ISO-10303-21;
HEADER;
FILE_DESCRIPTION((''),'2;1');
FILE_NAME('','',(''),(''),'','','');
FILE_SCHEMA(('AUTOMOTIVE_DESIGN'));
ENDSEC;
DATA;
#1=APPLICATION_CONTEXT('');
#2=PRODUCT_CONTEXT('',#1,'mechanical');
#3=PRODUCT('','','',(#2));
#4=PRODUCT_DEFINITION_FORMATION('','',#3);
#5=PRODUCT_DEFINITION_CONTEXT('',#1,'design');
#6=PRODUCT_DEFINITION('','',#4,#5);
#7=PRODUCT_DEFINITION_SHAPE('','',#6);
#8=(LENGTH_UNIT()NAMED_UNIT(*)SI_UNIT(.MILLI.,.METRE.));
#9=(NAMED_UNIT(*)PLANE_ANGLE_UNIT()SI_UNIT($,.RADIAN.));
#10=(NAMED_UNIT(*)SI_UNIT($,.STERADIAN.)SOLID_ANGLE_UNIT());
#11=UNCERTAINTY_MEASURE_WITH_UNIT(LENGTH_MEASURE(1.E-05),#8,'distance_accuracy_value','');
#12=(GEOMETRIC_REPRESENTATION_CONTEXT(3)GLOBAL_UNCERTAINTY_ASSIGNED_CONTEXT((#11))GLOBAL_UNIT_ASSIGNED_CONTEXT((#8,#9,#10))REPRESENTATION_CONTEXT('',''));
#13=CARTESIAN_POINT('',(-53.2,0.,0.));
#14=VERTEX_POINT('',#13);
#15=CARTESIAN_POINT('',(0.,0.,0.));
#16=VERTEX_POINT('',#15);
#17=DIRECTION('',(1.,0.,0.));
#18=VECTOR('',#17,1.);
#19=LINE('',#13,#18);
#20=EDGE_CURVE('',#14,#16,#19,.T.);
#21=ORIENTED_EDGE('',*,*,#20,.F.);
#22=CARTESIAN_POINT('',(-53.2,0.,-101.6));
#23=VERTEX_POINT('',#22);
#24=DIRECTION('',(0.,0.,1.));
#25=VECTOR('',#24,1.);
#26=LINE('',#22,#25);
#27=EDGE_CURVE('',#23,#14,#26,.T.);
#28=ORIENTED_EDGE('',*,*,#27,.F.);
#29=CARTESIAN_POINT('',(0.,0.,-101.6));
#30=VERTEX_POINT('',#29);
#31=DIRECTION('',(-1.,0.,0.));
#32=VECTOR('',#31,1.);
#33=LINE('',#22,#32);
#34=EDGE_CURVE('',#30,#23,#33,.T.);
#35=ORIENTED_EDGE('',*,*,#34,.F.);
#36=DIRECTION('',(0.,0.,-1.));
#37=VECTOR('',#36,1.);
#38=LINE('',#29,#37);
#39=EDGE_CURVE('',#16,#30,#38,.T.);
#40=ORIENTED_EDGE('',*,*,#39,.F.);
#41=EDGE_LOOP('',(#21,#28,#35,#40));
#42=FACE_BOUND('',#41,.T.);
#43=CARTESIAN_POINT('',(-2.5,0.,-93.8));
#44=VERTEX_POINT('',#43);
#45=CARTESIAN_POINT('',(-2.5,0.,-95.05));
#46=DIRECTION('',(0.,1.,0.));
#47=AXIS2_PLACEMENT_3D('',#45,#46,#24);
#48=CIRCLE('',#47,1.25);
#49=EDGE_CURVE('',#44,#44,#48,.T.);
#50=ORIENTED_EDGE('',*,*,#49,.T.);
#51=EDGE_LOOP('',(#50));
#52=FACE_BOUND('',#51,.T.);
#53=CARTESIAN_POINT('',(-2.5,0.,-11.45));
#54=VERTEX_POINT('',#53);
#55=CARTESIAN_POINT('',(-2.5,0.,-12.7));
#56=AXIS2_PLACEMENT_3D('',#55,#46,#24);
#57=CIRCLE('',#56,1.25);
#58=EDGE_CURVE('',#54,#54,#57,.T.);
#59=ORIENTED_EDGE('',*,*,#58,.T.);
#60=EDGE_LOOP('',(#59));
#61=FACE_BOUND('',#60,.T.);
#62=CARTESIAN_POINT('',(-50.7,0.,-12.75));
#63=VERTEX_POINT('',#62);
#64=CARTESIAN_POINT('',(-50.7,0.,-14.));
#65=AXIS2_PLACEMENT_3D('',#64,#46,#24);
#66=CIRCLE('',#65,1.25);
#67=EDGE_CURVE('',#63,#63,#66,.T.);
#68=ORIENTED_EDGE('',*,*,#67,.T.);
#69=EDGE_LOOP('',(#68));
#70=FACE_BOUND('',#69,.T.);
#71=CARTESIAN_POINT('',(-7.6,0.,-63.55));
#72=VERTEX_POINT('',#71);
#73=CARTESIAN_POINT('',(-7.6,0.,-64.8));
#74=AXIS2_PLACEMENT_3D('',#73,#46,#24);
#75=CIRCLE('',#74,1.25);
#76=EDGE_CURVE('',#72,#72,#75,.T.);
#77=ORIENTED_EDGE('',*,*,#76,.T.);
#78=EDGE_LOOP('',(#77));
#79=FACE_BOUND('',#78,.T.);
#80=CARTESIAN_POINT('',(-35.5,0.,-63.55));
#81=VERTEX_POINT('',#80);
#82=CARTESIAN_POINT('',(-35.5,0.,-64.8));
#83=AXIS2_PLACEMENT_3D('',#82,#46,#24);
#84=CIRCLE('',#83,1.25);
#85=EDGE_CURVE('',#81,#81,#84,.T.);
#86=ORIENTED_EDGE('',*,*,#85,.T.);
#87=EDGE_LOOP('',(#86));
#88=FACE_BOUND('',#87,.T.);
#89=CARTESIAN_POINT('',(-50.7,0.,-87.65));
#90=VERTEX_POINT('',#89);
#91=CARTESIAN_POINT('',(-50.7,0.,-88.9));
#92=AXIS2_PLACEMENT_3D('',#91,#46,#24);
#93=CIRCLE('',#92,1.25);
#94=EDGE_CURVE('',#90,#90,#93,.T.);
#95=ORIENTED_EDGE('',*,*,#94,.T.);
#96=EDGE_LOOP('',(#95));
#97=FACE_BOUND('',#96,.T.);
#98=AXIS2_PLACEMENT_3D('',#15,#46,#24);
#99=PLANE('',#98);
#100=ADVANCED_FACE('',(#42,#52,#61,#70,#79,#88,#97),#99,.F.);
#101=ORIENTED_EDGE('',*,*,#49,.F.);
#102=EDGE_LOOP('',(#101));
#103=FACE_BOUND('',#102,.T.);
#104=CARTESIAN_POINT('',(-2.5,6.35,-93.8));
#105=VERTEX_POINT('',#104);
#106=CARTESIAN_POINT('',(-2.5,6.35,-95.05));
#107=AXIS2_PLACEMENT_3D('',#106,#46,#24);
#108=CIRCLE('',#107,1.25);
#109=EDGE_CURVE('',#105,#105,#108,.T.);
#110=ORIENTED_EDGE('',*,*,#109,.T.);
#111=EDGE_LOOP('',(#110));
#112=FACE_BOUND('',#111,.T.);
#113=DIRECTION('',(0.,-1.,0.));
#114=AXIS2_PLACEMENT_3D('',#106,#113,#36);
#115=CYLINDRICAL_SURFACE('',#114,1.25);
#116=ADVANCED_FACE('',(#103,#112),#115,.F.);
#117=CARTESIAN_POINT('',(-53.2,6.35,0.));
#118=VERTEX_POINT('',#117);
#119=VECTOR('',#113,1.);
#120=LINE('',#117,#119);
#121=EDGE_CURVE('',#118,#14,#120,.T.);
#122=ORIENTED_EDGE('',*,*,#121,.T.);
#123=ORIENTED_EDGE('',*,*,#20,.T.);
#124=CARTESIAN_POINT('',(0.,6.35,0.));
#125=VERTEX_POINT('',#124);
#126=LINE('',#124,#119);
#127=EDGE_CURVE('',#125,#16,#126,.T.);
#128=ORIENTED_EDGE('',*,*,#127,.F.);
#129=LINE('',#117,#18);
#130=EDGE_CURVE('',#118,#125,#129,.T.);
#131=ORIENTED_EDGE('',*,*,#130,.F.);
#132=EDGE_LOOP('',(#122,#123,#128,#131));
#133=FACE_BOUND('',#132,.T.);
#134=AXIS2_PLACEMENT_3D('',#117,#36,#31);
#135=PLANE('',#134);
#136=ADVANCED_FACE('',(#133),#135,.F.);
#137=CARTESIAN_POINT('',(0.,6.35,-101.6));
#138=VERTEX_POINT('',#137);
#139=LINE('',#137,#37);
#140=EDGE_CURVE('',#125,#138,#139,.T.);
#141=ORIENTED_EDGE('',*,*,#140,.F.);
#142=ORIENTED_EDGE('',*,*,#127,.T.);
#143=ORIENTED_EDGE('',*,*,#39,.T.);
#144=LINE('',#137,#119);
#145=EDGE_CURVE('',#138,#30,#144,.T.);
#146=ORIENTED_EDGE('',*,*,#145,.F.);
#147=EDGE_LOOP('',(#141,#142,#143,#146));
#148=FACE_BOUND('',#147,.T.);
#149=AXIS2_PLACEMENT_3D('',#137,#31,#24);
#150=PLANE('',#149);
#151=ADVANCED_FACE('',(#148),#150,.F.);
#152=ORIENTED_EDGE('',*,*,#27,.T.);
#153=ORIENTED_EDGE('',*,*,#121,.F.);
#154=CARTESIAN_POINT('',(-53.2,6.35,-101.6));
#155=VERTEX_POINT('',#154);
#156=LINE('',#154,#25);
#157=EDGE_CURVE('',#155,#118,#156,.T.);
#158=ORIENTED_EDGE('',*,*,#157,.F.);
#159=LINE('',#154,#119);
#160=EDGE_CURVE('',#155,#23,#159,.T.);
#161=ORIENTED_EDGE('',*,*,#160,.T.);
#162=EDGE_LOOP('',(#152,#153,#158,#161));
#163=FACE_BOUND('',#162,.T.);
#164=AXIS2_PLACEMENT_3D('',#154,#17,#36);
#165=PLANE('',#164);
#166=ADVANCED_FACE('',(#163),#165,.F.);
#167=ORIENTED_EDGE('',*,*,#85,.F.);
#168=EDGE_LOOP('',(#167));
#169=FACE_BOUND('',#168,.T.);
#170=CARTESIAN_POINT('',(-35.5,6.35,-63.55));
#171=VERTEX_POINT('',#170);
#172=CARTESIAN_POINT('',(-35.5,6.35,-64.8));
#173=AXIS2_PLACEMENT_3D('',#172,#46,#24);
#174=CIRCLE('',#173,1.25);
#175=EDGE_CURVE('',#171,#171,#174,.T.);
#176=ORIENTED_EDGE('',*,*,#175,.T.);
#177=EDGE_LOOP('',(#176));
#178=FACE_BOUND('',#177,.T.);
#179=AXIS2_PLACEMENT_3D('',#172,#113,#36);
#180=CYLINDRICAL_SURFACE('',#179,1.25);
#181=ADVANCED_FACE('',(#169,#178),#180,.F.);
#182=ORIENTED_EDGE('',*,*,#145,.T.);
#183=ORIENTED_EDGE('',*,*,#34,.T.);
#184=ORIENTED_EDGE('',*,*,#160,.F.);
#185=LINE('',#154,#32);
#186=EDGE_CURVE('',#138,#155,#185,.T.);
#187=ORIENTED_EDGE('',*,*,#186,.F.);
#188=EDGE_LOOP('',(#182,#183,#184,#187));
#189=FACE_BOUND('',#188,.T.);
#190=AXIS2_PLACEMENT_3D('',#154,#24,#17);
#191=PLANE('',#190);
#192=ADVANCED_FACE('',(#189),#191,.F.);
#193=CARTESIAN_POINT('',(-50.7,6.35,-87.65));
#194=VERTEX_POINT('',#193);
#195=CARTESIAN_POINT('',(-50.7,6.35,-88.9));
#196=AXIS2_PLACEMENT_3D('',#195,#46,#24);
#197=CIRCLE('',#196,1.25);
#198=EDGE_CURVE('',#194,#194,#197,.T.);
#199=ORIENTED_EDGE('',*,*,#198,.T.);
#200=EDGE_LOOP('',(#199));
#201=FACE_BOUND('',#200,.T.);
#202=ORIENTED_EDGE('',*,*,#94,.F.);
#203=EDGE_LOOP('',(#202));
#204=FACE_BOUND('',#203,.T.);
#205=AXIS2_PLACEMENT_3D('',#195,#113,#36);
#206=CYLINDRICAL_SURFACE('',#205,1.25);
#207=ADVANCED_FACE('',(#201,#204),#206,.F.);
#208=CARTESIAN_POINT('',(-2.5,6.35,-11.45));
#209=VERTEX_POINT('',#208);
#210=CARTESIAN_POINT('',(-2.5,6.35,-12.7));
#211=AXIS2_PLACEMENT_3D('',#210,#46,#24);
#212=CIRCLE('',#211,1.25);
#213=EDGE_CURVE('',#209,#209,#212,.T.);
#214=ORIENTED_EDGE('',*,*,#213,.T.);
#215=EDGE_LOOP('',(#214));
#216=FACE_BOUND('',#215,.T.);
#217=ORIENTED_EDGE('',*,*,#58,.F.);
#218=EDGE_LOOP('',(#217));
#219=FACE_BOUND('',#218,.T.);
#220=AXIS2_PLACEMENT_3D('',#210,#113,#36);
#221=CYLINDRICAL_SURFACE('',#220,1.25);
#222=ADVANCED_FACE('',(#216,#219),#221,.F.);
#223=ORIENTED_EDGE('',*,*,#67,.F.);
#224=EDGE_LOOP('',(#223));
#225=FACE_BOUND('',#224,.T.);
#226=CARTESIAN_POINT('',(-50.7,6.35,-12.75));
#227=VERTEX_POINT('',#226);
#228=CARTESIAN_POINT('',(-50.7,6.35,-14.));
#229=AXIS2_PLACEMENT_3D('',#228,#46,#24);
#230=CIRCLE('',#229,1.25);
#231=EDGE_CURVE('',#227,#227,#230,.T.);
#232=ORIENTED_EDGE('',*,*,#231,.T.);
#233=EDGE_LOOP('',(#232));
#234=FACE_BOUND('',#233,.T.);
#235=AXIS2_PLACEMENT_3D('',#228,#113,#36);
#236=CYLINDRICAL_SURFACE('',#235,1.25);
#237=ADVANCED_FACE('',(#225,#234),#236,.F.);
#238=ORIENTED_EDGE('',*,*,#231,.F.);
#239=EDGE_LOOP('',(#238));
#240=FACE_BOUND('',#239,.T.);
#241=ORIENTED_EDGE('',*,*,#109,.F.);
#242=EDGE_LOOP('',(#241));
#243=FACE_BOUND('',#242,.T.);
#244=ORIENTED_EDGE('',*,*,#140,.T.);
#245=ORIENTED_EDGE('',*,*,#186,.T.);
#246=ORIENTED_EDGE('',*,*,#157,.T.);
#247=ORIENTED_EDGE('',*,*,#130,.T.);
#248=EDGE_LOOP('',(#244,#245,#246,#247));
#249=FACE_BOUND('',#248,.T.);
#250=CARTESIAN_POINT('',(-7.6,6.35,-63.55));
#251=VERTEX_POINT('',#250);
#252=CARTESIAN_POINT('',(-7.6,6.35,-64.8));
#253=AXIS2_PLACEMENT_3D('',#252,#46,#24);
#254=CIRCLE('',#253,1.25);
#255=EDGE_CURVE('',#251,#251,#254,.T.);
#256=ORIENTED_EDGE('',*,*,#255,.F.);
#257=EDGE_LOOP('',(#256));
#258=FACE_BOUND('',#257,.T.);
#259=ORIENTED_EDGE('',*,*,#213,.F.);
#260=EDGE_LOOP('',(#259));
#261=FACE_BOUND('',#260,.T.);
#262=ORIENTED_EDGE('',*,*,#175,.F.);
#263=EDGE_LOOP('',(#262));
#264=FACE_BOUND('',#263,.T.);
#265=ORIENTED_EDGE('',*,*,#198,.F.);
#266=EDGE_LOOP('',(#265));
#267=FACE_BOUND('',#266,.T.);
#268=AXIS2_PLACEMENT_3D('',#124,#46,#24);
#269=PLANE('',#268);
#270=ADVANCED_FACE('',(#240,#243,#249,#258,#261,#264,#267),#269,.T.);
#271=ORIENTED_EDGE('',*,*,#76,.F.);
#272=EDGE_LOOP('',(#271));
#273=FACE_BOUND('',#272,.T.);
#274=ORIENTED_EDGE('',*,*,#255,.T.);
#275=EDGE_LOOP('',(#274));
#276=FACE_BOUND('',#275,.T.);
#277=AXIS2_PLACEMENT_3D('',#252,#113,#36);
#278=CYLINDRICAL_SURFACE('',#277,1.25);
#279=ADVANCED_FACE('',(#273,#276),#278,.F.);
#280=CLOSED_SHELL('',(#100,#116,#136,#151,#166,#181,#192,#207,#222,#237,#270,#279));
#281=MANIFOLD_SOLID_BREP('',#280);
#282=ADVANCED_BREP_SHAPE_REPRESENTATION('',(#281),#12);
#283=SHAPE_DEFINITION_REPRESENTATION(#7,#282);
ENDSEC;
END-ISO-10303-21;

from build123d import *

# Parameters (mm, degrees)
SKETCH1_W           = 53.2
SKETCH1_H           = 101.6
SKETCH1_R           = 1.25
BOSS_EXTRUDE1_DEPTH = 6.35


with BuildPart() as part:
    # Sketch1 → Boss-Extrude1 (new body)
    with BuildSketch(Plane(origin=(0, 0, 0), x_dir=(1, 0, 0), z_dir=(0, 1, 0))):
        with Locations((-26.6, 50.8)):
            Rectangle(SKETCH1_W, SKETCH1_H)
        with Locations((-50.7, 88.9)):
            Circle(SKETCH1_R, mode=Mode.SUBTRACT)
        with Locations((-2.5, 95.05)):
            Circle(SKETCH1_R, mode=Mode.SUBTRACT)
        with Locations((-35.5, 64.8)):
            Circle(SKETCH1_R, mode=Mode.SUBTRACT)
        with Locations((-7.6, 64.8)):
            Circle(SKETCH1_R, mode=Mode.SUBTRACT)
        with Locations((-50.7, 14)):
            Circle(SKETCH1_R, mode=Mode.SUBTRACT)
        with Locations((-2.5, 12.7)):
            Circle(SKETCH1_R, mode=Mode.SUBTRACT)
    extrude(amount=BOSS_EXTRUDE1_DEPTH)


solid = part.part
